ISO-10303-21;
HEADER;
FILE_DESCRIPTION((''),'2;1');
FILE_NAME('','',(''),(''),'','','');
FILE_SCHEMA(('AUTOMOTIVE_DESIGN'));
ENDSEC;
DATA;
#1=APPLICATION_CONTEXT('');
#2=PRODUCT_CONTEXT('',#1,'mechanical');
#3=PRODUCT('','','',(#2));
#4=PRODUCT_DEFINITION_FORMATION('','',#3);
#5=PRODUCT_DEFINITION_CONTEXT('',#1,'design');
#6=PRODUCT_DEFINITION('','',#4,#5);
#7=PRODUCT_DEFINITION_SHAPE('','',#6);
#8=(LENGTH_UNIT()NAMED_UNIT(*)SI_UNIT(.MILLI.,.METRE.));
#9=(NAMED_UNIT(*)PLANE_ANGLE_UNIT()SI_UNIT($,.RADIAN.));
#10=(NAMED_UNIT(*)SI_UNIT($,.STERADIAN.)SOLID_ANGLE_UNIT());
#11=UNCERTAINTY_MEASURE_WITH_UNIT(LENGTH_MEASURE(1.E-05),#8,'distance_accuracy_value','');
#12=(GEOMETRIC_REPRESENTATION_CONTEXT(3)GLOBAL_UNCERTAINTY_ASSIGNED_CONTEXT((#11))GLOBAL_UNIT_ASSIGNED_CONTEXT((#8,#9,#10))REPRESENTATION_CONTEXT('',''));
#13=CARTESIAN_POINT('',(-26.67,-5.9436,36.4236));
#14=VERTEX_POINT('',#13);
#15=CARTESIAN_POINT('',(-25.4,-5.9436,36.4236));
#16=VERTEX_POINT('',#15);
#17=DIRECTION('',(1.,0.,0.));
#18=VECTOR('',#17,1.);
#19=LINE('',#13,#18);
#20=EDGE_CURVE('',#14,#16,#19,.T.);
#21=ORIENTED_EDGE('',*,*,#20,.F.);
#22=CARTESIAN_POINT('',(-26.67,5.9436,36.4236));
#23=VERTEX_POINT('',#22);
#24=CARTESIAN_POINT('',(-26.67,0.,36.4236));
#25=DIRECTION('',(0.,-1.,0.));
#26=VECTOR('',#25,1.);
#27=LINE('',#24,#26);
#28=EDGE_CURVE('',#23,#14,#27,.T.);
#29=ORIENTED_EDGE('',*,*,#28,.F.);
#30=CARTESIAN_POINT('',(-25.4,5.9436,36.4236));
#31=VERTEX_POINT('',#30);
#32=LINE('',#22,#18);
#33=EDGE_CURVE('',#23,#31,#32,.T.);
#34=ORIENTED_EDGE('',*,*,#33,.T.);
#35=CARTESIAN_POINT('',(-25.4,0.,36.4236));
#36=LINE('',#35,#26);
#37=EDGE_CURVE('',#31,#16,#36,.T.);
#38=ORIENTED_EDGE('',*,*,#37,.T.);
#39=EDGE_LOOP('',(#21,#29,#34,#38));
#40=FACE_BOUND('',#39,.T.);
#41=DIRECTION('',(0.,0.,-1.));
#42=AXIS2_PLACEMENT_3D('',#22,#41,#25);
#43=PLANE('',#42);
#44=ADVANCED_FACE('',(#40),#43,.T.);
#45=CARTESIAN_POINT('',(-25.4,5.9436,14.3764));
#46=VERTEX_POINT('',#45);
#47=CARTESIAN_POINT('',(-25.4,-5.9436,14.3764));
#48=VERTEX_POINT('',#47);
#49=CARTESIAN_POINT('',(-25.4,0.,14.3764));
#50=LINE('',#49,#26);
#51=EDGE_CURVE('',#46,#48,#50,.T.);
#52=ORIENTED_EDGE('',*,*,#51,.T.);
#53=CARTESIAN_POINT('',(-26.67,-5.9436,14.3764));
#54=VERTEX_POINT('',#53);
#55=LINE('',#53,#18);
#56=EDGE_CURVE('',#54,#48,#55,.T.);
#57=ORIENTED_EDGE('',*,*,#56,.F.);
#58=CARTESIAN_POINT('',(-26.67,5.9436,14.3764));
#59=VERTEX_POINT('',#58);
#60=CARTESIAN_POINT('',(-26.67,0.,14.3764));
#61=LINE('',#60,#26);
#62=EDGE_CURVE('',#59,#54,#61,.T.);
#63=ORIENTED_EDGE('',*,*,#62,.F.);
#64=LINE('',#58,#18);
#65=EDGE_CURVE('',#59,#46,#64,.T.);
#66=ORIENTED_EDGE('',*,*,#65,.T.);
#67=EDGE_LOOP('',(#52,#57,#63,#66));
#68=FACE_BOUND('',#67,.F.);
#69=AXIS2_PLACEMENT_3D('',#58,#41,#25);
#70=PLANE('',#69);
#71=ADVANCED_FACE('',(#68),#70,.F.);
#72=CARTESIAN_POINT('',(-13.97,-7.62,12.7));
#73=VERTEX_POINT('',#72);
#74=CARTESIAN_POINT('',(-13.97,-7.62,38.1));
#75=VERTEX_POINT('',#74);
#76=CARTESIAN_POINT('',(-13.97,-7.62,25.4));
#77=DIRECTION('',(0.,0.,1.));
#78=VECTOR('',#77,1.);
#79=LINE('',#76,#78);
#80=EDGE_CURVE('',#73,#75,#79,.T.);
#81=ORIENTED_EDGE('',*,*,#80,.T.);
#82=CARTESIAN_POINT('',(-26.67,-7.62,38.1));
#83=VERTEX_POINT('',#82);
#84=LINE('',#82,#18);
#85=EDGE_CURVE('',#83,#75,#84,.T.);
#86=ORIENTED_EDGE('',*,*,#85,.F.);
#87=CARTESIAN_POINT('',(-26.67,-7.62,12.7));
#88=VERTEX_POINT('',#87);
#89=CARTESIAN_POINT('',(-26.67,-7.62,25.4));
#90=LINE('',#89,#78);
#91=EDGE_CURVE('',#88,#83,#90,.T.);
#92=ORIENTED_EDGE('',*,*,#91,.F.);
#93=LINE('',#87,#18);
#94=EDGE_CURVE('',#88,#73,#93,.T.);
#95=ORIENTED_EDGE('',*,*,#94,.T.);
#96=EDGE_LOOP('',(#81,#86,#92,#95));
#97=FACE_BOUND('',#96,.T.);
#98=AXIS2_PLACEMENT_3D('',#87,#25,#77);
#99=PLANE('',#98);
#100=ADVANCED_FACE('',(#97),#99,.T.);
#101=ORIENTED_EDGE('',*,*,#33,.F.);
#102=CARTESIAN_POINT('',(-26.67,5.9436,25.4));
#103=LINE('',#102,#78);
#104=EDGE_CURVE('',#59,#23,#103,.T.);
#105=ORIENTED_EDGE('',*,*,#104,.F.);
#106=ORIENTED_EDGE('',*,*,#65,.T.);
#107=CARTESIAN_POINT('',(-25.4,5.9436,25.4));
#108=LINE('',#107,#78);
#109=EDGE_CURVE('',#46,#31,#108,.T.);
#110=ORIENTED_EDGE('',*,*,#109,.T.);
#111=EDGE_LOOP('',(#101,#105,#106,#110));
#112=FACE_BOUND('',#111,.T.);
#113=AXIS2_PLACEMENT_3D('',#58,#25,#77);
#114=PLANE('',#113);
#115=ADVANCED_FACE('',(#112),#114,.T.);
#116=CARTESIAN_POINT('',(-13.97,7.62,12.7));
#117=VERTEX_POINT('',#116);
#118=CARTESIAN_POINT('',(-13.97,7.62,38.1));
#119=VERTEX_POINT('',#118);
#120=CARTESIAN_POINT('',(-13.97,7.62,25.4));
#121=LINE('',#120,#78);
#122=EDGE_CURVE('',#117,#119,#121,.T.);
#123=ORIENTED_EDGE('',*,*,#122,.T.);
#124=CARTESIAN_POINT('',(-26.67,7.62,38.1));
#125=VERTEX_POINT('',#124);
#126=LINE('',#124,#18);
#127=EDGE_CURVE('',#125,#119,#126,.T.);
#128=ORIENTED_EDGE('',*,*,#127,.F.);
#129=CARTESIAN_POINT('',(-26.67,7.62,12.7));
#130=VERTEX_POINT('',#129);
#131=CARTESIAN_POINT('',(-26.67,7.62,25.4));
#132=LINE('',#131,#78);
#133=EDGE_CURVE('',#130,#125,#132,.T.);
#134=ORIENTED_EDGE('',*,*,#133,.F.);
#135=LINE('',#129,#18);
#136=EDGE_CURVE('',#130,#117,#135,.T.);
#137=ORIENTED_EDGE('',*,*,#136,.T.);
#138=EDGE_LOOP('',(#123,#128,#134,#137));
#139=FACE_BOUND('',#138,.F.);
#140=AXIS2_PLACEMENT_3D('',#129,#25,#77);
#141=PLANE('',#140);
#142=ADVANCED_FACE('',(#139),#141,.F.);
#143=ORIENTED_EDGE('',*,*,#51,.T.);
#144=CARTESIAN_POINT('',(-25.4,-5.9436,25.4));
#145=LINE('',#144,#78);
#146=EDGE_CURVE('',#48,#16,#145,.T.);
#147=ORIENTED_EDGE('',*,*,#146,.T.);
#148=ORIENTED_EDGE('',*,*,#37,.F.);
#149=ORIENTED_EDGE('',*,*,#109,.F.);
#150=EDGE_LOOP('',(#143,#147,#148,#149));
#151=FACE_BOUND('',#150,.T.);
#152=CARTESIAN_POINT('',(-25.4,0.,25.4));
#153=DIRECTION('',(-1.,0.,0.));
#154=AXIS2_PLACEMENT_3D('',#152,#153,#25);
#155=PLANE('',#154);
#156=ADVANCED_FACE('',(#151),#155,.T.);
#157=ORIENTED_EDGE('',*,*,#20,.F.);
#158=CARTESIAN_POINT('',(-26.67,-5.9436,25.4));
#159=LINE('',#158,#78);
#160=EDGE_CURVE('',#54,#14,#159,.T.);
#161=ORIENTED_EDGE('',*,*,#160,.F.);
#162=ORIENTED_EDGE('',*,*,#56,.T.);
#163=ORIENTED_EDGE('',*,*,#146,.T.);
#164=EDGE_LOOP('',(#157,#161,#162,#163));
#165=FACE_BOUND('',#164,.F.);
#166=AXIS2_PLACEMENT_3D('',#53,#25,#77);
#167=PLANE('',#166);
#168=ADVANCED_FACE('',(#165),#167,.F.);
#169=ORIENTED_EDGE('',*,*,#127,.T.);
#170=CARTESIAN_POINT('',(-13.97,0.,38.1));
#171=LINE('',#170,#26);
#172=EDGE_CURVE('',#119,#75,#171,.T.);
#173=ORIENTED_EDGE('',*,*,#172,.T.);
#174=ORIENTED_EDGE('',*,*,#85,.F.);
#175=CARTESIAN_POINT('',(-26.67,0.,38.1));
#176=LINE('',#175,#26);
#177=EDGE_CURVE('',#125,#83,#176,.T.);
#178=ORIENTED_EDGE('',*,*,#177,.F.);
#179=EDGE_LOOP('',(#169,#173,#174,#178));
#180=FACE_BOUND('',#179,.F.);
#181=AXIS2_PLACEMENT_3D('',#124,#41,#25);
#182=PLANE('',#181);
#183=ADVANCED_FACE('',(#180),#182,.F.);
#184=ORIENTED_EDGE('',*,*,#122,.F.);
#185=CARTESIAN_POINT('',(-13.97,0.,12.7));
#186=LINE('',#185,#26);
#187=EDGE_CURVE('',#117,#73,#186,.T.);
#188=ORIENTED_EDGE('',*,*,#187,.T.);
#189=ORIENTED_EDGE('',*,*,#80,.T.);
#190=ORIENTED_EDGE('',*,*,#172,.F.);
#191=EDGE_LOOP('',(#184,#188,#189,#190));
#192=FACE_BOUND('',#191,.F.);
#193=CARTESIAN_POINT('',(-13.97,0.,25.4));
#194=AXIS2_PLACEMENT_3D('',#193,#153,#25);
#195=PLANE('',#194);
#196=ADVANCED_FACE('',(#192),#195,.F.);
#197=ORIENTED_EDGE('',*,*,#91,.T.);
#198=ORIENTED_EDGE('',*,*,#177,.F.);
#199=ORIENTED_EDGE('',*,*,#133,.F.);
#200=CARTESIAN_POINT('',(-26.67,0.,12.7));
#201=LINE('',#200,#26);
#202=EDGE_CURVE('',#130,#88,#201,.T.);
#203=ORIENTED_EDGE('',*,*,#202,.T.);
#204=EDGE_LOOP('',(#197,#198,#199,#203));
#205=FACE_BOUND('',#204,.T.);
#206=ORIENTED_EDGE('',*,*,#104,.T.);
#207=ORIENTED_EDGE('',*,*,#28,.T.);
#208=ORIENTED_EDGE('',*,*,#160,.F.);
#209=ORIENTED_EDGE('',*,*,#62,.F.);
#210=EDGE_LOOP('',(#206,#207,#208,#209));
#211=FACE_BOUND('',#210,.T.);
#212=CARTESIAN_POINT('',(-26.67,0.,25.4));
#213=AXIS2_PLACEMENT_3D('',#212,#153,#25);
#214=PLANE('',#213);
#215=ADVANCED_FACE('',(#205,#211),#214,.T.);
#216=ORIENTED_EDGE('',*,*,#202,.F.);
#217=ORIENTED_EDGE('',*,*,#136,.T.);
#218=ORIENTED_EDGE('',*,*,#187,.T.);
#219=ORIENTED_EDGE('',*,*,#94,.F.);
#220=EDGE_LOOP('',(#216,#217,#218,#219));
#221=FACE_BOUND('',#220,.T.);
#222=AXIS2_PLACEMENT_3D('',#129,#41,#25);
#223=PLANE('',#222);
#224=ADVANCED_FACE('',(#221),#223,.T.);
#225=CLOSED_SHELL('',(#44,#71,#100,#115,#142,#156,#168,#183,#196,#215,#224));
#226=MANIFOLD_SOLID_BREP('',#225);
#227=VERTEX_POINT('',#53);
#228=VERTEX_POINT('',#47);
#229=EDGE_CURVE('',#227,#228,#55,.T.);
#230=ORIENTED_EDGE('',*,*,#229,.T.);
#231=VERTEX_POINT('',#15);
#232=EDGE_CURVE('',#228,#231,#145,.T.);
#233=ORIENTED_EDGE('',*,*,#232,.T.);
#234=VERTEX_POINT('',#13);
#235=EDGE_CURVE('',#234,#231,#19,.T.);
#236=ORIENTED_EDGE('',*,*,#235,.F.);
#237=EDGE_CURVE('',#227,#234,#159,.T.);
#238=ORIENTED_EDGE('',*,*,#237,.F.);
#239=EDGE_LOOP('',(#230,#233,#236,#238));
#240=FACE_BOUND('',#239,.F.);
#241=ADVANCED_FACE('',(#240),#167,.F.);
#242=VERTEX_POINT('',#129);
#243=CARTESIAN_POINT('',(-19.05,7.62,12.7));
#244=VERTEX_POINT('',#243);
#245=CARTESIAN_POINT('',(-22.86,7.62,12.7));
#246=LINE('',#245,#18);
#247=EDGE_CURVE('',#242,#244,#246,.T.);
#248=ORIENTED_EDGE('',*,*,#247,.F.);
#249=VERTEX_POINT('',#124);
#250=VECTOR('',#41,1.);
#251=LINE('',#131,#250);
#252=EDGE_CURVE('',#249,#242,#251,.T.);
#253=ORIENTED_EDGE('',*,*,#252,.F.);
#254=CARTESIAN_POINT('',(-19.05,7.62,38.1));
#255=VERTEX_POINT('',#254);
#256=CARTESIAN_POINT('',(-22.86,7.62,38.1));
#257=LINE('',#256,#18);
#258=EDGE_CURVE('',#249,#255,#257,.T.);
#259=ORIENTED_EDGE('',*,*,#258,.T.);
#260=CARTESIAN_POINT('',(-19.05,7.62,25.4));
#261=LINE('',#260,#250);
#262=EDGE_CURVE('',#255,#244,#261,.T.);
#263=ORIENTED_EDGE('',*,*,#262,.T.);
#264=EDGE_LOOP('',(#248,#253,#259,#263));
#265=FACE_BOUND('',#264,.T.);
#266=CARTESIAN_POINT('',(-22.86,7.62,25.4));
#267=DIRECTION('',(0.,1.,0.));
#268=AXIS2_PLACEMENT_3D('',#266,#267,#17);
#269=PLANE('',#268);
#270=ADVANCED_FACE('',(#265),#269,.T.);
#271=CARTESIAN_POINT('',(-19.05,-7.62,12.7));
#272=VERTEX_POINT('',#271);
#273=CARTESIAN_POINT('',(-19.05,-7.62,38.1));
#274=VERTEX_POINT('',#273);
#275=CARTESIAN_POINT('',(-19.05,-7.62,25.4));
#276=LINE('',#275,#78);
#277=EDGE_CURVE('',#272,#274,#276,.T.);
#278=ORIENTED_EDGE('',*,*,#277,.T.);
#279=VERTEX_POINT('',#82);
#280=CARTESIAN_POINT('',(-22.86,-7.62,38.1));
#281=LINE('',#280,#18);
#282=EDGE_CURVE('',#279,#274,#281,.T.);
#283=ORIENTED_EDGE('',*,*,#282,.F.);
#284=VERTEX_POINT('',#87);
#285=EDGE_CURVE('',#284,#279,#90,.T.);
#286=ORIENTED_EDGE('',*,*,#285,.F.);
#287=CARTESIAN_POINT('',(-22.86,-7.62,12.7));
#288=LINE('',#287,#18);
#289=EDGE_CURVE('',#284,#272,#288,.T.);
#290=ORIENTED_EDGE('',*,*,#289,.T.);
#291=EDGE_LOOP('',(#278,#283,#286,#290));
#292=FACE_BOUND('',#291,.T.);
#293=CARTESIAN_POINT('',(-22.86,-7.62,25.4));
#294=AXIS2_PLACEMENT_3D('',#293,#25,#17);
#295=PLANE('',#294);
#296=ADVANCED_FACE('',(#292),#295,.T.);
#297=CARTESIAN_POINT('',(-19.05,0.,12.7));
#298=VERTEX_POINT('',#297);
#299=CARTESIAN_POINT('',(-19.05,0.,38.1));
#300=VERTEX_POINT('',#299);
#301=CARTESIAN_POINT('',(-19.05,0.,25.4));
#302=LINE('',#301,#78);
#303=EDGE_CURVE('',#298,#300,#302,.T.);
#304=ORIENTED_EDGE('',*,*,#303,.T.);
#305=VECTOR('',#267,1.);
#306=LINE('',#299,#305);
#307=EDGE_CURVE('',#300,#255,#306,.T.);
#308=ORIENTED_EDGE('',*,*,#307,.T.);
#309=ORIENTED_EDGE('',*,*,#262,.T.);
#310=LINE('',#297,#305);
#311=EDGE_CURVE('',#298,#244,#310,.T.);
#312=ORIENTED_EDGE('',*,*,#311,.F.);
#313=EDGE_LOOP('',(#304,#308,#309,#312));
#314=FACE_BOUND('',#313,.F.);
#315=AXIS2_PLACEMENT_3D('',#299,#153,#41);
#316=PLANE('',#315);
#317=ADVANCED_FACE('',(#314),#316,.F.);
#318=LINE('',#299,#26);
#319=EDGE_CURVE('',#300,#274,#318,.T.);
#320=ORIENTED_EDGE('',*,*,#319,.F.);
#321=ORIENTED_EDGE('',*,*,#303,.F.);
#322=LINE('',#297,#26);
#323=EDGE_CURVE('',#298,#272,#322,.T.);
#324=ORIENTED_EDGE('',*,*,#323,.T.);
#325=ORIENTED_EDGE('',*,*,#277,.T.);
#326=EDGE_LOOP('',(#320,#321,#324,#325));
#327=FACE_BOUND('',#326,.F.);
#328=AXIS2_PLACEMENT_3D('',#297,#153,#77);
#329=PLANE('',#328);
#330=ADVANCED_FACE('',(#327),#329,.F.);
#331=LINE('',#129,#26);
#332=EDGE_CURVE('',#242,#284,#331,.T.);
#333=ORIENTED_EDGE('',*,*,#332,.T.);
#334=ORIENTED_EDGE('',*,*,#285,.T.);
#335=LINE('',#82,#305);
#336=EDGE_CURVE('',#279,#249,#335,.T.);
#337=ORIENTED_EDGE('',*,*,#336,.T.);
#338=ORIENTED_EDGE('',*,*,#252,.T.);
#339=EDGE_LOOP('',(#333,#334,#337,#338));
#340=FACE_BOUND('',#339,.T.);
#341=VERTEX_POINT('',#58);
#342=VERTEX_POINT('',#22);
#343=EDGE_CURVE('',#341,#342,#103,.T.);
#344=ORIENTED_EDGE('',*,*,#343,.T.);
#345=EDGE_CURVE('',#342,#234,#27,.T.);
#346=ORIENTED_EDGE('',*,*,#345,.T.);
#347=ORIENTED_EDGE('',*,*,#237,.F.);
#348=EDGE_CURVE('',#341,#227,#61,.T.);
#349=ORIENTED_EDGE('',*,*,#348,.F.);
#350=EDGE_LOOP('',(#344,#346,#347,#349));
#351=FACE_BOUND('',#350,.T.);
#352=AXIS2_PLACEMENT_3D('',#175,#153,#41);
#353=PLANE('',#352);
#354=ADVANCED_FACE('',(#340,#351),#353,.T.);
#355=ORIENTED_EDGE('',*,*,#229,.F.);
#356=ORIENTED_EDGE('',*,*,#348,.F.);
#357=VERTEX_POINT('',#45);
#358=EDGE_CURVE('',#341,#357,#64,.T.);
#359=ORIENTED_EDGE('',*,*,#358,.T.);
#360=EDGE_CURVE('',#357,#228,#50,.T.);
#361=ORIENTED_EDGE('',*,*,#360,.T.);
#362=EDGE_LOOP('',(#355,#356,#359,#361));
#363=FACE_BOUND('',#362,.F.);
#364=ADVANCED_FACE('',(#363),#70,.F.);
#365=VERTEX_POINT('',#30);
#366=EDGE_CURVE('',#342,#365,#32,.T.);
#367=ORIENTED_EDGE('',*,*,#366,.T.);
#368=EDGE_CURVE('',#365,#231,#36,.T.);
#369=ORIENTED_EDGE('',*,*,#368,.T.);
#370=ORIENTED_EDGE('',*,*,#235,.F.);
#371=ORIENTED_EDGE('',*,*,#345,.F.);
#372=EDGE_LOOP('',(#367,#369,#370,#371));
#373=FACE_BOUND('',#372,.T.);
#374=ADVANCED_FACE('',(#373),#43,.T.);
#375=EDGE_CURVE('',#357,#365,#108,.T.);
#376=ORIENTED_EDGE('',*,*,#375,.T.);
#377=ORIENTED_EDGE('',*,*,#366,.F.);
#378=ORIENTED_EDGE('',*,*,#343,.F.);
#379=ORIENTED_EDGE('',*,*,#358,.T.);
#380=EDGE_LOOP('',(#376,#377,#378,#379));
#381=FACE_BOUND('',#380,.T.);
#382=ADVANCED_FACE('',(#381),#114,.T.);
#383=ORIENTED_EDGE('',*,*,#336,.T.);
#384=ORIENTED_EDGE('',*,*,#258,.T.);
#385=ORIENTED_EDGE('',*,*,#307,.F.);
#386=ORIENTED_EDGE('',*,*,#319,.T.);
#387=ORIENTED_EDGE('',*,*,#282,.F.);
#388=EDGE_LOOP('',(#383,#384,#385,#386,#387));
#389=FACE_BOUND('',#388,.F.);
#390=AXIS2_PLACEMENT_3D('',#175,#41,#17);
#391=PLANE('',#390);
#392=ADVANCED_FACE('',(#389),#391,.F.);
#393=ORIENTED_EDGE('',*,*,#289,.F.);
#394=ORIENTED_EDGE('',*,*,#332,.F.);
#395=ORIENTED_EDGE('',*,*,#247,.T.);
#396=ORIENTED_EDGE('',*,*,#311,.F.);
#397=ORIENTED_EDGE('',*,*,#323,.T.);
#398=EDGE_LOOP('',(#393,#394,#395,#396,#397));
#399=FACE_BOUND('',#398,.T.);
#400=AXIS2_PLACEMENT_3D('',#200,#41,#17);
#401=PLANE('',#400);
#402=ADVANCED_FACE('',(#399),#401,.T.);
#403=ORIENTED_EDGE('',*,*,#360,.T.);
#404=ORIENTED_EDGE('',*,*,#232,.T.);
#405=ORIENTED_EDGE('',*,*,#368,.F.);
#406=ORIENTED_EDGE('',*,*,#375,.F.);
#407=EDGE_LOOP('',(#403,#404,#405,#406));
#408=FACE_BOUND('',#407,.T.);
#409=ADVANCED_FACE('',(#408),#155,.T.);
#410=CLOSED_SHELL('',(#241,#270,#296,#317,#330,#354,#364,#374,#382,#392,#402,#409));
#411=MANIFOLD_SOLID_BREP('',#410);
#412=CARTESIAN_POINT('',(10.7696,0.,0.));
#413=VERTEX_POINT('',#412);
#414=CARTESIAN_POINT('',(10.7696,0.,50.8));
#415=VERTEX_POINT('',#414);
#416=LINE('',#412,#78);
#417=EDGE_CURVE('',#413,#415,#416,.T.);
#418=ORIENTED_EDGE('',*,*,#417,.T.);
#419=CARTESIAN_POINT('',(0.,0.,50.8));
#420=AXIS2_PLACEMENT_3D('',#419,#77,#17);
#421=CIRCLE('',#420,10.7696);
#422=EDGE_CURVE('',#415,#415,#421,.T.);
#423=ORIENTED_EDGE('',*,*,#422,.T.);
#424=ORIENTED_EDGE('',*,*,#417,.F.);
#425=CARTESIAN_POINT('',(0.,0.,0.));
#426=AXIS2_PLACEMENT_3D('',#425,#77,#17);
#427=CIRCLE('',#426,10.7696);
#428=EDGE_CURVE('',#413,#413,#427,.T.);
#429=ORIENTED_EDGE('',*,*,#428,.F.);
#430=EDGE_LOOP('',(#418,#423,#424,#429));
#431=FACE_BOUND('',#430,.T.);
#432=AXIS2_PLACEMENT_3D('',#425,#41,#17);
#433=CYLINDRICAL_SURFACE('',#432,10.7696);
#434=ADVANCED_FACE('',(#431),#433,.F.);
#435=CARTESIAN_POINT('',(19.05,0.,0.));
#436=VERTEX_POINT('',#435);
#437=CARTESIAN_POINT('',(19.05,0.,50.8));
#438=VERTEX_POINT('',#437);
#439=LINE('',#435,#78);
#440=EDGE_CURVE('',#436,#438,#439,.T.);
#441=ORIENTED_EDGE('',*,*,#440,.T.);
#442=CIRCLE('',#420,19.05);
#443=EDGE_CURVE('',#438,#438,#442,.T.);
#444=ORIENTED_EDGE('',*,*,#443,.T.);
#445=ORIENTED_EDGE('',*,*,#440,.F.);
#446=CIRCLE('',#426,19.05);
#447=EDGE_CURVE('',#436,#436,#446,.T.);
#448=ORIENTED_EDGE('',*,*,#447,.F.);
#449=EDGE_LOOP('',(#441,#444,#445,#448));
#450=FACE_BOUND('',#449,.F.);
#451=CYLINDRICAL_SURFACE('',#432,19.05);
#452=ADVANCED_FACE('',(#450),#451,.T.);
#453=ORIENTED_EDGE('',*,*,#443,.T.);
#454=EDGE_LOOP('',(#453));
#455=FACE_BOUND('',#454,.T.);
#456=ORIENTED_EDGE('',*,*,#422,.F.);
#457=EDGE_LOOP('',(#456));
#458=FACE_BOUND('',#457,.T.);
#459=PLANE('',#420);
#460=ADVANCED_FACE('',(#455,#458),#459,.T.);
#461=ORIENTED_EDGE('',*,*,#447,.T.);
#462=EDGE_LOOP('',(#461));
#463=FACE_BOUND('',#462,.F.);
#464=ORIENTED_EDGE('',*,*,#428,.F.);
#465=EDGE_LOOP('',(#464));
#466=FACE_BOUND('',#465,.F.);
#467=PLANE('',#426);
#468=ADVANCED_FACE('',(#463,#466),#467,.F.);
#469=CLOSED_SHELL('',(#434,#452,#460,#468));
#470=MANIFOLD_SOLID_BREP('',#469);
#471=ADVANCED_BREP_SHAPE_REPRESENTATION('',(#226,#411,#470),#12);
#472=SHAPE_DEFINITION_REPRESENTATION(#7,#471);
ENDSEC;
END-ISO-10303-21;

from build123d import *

# Parameters (mm, degrees)
F0_R      = 19.05
F0_R_2    = 10.7696
F1_DEPTH  = 50.8
F2_W      = 7.62
F2_H      = 25.4
F3_DEPTH  = 7.62
F3_FACE_W = 7.62
F3_FACE_H = 25.4
F4_DEPTH  = 7.62
F5_W      = 15.24
F5_H      = 25.4
F6_DEPTH  = 12.7
F7_W      = 11.8872
F7_H      = 22.0472
F8_DEPTH  = 1.27


with BuildPart() as f1:
    # F0 (on Top) → F1 (new body)
    with BuildSketch(Plane.XY):
        Circle(F0_R)
        Circle(F0_R_2, mode=Mode.SUBTRACT)
    extrude(amount=F1_DEPTH)



with BuildPart() as f3:
    # F2 (on Front) → F3 (new body)
    with BuildSketch(Plane.XZ):
        with Locations((-22.86, 25.4)):
            Rectangle(F2_W, F2_H)
    extrude(amount=F3_DEPTH)


with BuildPart() as f1_1:
    add(f1.part)

    add(f3.part)  # F4 merges F3
    # F3_face (on face) → F4 (join)
    with BuildSketch(Plane(origin=(-22.86, 0, 25.4), x_dir=(1, 0, 0), z_dir=(0, 1, 0))):
        Rectangle(F3_FACE_W, F3_FACE_H)
    extrude(amount=F4_DEPTH)


with BuildPart() as f6:
    # F5 (on face) → F6 (new body)
    with BuildSketch(Plane(origin=(-26.67, 0, 0), x_dir=(0, -1, 0), z_dir=(-1, 0, 0))):
        with Locations((0, 25.4)):
            Rectangle(F5_W, F5_H)
    extrude(amount=-F6_DEPTH)


with BuildPart() as f8_tool:
    # F7 (on face) → F8 (new body)
    with BuildSketch(Plane(origin=(-26.67, 0, 0), x_dir=(0, -1, 0), z_dir=(-1, 0, 0))):
        with Locations((0, 25.4)):
            Rectangle(F7_W, F7_H)
    extrude(amount=-F8_DEPTH)


with BuildPart() as f1_2:
    add(f1_1.part)

    # F8: cut by f8_tool
    add(f8_tool.part, mode=Mode.SUBTRACT)


with BuildPart() as f6_1:
    add(f6.part)

    # F8: cut by f8_tool
    add(f8_tool.part, mode=Mode.SUBTRACT)


solid = Compound([f1_2.part, f6_1.part])
